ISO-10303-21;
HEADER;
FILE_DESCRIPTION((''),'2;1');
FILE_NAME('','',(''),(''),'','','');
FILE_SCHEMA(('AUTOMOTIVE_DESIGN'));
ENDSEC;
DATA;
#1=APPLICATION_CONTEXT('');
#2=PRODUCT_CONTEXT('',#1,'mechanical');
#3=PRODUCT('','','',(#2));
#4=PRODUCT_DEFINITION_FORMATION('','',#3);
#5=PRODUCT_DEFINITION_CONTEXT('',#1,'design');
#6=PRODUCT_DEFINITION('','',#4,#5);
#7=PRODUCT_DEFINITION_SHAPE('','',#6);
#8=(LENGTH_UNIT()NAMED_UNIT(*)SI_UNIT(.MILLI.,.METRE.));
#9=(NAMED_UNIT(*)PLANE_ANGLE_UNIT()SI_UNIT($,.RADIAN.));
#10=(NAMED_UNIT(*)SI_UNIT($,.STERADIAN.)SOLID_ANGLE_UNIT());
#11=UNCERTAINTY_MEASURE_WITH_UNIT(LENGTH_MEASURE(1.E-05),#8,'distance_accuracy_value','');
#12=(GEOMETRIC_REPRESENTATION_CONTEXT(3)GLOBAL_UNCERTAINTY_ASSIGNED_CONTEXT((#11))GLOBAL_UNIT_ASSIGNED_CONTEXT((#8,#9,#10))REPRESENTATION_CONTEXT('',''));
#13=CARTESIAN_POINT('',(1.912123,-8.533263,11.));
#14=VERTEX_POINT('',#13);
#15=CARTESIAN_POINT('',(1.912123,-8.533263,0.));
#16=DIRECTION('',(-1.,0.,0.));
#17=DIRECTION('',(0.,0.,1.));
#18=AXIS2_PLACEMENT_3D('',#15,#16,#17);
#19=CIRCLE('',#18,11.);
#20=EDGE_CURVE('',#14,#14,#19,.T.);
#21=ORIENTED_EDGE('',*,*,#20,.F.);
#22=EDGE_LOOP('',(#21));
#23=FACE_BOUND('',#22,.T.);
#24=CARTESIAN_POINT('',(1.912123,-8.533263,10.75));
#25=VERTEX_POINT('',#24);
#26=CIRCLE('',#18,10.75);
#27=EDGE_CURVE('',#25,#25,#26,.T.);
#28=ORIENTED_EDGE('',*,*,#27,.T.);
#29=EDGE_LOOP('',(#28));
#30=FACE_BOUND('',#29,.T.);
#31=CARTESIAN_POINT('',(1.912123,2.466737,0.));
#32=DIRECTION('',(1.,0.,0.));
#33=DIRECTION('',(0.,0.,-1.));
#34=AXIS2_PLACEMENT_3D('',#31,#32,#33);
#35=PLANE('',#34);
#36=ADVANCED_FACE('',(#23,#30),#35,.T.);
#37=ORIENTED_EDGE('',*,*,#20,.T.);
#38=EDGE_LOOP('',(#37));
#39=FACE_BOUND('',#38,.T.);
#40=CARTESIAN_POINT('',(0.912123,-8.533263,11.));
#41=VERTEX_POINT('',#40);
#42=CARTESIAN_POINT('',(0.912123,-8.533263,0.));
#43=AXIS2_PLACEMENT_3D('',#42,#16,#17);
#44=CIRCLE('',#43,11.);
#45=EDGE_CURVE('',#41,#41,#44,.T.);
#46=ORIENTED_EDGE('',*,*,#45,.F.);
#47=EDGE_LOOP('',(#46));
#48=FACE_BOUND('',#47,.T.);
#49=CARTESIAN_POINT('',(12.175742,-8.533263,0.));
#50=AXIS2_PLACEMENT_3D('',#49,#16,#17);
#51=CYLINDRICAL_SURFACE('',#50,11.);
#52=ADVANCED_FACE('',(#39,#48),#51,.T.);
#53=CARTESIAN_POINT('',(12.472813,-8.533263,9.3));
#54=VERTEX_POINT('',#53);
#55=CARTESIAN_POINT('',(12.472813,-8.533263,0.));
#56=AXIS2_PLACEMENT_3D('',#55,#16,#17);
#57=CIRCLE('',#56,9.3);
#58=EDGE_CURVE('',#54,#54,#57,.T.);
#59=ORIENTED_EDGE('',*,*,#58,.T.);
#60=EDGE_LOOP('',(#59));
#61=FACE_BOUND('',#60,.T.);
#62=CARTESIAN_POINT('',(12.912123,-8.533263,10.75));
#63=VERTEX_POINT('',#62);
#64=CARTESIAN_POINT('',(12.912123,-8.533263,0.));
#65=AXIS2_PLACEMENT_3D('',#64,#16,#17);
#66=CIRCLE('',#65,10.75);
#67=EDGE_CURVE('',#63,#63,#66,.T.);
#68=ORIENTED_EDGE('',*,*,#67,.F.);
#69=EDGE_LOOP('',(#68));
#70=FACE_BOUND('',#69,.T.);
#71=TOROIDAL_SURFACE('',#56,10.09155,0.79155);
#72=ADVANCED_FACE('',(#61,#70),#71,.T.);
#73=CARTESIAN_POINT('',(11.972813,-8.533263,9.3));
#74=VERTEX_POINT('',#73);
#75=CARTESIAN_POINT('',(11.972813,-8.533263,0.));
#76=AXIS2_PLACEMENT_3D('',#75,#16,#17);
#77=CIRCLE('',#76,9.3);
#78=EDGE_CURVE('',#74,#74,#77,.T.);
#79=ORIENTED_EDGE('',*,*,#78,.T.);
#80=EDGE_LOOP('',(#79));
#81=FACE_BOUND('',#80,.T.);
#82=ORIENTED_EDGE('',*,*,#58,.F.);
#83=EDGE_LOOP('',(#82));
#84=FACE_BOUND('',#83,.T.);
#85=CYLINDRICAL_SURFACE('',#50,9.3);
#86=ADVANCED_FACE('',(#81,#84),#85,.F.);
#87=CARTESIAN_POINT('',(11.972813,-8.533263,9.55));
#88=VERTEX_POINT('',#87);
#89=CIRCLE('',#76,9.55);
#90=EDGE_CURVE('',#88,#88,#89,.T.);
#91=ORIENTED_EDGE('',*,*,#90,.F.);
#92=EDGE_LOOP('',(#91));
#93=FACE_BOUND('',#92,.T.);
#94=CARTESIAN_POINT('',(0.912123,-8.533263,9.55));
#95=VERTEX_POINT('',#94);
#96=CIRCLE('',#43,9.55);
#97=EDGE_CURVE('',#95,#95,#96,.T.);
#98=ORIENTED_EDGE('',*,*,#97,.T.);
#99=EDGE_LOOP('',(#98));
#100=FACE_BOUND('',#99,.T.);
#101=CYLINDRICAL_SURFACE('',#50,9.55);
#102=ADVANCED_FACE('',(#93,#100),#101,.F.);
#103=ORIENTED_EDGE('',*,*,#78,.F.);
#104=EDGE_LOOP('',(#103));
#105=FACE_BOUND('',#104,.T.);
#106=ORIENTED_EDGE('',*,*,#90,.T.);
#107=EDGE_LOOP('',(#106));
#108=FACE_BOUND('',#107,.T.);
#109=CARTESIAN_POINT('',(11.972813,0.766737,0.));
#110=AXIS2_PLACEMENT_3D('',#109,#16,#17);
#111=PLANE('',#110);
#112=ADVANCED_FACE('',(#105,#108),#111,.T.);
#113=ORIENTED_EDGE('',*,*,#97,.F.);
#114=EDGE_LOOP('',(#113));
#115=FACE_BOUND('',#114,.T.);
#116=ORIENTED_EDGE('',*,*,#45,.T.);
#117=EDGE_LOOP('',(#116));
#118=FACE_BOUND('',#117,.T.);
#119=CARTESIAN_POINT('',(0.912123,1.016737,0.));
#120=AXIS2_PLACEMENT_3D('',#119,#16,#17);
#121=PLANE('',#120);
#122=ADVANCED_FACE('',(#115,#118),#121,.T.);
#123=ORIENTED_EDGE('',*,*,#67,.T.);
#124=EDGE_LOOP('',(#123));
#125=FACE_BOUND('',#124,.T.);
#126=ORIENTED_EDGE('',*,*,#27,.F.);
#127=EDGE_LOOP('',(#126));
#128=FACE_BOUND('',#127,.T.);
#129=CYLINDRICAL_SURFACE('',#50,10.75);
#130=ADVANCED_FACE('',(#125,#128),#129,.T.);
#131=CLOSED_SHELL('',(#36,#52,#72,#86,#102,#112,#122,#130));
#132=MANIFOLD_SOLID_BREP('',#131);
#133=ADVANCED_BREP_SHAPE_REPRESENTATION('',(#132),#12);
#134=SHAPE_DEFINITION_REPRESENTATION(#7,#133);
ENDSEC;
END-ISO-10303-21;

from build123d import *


with BuildPart() as part:
    # Sketch1 → Revolve1 (revolve)
    with BuildSketch(Plane(origin=(0, 0, 0), x_dir=(-1, 0, 0), z_dir=(0, 0, -1)), mode=Mode.PRIVATE) as revolve1_sk:
        with BuildLine():
            Line((-11.972812665, 0.766736765), (-11.972812665, 1.016736765))
            Line((-11.972812665, 1.016736765), (-0.912123334, 1.016736765))
            Line((-0.912123334, 1.016736765), (-0.912123334, 2.466736765))
            Line((-0.912123334, 2.466736765), (-1.912123334, 2.466736765))
            Line((-1.912123334, 2.466736765), (-1.912123334, 2.216736765))
            Line((-1.912123334, 2.216736765), (-12.912123334, 2.216736765))
            ThreePointArc((-12.912123334, 2.216736765), (-13.230357031, 1.328770979), (-12.472812665, 0.766736765))
            Line((-12.472812665, 0.766736765), (-11.972812665, 0.766736765))
        make_face()
    revolve(revolve1_sk.sketch.rotate(Axis((12.175741694, -8.533263235, 0), (-1, 0, 0)), 270), axis=Axis((12.175741694, -8.533263235, 0), (-1, 0, 0)))


solid = part.part
